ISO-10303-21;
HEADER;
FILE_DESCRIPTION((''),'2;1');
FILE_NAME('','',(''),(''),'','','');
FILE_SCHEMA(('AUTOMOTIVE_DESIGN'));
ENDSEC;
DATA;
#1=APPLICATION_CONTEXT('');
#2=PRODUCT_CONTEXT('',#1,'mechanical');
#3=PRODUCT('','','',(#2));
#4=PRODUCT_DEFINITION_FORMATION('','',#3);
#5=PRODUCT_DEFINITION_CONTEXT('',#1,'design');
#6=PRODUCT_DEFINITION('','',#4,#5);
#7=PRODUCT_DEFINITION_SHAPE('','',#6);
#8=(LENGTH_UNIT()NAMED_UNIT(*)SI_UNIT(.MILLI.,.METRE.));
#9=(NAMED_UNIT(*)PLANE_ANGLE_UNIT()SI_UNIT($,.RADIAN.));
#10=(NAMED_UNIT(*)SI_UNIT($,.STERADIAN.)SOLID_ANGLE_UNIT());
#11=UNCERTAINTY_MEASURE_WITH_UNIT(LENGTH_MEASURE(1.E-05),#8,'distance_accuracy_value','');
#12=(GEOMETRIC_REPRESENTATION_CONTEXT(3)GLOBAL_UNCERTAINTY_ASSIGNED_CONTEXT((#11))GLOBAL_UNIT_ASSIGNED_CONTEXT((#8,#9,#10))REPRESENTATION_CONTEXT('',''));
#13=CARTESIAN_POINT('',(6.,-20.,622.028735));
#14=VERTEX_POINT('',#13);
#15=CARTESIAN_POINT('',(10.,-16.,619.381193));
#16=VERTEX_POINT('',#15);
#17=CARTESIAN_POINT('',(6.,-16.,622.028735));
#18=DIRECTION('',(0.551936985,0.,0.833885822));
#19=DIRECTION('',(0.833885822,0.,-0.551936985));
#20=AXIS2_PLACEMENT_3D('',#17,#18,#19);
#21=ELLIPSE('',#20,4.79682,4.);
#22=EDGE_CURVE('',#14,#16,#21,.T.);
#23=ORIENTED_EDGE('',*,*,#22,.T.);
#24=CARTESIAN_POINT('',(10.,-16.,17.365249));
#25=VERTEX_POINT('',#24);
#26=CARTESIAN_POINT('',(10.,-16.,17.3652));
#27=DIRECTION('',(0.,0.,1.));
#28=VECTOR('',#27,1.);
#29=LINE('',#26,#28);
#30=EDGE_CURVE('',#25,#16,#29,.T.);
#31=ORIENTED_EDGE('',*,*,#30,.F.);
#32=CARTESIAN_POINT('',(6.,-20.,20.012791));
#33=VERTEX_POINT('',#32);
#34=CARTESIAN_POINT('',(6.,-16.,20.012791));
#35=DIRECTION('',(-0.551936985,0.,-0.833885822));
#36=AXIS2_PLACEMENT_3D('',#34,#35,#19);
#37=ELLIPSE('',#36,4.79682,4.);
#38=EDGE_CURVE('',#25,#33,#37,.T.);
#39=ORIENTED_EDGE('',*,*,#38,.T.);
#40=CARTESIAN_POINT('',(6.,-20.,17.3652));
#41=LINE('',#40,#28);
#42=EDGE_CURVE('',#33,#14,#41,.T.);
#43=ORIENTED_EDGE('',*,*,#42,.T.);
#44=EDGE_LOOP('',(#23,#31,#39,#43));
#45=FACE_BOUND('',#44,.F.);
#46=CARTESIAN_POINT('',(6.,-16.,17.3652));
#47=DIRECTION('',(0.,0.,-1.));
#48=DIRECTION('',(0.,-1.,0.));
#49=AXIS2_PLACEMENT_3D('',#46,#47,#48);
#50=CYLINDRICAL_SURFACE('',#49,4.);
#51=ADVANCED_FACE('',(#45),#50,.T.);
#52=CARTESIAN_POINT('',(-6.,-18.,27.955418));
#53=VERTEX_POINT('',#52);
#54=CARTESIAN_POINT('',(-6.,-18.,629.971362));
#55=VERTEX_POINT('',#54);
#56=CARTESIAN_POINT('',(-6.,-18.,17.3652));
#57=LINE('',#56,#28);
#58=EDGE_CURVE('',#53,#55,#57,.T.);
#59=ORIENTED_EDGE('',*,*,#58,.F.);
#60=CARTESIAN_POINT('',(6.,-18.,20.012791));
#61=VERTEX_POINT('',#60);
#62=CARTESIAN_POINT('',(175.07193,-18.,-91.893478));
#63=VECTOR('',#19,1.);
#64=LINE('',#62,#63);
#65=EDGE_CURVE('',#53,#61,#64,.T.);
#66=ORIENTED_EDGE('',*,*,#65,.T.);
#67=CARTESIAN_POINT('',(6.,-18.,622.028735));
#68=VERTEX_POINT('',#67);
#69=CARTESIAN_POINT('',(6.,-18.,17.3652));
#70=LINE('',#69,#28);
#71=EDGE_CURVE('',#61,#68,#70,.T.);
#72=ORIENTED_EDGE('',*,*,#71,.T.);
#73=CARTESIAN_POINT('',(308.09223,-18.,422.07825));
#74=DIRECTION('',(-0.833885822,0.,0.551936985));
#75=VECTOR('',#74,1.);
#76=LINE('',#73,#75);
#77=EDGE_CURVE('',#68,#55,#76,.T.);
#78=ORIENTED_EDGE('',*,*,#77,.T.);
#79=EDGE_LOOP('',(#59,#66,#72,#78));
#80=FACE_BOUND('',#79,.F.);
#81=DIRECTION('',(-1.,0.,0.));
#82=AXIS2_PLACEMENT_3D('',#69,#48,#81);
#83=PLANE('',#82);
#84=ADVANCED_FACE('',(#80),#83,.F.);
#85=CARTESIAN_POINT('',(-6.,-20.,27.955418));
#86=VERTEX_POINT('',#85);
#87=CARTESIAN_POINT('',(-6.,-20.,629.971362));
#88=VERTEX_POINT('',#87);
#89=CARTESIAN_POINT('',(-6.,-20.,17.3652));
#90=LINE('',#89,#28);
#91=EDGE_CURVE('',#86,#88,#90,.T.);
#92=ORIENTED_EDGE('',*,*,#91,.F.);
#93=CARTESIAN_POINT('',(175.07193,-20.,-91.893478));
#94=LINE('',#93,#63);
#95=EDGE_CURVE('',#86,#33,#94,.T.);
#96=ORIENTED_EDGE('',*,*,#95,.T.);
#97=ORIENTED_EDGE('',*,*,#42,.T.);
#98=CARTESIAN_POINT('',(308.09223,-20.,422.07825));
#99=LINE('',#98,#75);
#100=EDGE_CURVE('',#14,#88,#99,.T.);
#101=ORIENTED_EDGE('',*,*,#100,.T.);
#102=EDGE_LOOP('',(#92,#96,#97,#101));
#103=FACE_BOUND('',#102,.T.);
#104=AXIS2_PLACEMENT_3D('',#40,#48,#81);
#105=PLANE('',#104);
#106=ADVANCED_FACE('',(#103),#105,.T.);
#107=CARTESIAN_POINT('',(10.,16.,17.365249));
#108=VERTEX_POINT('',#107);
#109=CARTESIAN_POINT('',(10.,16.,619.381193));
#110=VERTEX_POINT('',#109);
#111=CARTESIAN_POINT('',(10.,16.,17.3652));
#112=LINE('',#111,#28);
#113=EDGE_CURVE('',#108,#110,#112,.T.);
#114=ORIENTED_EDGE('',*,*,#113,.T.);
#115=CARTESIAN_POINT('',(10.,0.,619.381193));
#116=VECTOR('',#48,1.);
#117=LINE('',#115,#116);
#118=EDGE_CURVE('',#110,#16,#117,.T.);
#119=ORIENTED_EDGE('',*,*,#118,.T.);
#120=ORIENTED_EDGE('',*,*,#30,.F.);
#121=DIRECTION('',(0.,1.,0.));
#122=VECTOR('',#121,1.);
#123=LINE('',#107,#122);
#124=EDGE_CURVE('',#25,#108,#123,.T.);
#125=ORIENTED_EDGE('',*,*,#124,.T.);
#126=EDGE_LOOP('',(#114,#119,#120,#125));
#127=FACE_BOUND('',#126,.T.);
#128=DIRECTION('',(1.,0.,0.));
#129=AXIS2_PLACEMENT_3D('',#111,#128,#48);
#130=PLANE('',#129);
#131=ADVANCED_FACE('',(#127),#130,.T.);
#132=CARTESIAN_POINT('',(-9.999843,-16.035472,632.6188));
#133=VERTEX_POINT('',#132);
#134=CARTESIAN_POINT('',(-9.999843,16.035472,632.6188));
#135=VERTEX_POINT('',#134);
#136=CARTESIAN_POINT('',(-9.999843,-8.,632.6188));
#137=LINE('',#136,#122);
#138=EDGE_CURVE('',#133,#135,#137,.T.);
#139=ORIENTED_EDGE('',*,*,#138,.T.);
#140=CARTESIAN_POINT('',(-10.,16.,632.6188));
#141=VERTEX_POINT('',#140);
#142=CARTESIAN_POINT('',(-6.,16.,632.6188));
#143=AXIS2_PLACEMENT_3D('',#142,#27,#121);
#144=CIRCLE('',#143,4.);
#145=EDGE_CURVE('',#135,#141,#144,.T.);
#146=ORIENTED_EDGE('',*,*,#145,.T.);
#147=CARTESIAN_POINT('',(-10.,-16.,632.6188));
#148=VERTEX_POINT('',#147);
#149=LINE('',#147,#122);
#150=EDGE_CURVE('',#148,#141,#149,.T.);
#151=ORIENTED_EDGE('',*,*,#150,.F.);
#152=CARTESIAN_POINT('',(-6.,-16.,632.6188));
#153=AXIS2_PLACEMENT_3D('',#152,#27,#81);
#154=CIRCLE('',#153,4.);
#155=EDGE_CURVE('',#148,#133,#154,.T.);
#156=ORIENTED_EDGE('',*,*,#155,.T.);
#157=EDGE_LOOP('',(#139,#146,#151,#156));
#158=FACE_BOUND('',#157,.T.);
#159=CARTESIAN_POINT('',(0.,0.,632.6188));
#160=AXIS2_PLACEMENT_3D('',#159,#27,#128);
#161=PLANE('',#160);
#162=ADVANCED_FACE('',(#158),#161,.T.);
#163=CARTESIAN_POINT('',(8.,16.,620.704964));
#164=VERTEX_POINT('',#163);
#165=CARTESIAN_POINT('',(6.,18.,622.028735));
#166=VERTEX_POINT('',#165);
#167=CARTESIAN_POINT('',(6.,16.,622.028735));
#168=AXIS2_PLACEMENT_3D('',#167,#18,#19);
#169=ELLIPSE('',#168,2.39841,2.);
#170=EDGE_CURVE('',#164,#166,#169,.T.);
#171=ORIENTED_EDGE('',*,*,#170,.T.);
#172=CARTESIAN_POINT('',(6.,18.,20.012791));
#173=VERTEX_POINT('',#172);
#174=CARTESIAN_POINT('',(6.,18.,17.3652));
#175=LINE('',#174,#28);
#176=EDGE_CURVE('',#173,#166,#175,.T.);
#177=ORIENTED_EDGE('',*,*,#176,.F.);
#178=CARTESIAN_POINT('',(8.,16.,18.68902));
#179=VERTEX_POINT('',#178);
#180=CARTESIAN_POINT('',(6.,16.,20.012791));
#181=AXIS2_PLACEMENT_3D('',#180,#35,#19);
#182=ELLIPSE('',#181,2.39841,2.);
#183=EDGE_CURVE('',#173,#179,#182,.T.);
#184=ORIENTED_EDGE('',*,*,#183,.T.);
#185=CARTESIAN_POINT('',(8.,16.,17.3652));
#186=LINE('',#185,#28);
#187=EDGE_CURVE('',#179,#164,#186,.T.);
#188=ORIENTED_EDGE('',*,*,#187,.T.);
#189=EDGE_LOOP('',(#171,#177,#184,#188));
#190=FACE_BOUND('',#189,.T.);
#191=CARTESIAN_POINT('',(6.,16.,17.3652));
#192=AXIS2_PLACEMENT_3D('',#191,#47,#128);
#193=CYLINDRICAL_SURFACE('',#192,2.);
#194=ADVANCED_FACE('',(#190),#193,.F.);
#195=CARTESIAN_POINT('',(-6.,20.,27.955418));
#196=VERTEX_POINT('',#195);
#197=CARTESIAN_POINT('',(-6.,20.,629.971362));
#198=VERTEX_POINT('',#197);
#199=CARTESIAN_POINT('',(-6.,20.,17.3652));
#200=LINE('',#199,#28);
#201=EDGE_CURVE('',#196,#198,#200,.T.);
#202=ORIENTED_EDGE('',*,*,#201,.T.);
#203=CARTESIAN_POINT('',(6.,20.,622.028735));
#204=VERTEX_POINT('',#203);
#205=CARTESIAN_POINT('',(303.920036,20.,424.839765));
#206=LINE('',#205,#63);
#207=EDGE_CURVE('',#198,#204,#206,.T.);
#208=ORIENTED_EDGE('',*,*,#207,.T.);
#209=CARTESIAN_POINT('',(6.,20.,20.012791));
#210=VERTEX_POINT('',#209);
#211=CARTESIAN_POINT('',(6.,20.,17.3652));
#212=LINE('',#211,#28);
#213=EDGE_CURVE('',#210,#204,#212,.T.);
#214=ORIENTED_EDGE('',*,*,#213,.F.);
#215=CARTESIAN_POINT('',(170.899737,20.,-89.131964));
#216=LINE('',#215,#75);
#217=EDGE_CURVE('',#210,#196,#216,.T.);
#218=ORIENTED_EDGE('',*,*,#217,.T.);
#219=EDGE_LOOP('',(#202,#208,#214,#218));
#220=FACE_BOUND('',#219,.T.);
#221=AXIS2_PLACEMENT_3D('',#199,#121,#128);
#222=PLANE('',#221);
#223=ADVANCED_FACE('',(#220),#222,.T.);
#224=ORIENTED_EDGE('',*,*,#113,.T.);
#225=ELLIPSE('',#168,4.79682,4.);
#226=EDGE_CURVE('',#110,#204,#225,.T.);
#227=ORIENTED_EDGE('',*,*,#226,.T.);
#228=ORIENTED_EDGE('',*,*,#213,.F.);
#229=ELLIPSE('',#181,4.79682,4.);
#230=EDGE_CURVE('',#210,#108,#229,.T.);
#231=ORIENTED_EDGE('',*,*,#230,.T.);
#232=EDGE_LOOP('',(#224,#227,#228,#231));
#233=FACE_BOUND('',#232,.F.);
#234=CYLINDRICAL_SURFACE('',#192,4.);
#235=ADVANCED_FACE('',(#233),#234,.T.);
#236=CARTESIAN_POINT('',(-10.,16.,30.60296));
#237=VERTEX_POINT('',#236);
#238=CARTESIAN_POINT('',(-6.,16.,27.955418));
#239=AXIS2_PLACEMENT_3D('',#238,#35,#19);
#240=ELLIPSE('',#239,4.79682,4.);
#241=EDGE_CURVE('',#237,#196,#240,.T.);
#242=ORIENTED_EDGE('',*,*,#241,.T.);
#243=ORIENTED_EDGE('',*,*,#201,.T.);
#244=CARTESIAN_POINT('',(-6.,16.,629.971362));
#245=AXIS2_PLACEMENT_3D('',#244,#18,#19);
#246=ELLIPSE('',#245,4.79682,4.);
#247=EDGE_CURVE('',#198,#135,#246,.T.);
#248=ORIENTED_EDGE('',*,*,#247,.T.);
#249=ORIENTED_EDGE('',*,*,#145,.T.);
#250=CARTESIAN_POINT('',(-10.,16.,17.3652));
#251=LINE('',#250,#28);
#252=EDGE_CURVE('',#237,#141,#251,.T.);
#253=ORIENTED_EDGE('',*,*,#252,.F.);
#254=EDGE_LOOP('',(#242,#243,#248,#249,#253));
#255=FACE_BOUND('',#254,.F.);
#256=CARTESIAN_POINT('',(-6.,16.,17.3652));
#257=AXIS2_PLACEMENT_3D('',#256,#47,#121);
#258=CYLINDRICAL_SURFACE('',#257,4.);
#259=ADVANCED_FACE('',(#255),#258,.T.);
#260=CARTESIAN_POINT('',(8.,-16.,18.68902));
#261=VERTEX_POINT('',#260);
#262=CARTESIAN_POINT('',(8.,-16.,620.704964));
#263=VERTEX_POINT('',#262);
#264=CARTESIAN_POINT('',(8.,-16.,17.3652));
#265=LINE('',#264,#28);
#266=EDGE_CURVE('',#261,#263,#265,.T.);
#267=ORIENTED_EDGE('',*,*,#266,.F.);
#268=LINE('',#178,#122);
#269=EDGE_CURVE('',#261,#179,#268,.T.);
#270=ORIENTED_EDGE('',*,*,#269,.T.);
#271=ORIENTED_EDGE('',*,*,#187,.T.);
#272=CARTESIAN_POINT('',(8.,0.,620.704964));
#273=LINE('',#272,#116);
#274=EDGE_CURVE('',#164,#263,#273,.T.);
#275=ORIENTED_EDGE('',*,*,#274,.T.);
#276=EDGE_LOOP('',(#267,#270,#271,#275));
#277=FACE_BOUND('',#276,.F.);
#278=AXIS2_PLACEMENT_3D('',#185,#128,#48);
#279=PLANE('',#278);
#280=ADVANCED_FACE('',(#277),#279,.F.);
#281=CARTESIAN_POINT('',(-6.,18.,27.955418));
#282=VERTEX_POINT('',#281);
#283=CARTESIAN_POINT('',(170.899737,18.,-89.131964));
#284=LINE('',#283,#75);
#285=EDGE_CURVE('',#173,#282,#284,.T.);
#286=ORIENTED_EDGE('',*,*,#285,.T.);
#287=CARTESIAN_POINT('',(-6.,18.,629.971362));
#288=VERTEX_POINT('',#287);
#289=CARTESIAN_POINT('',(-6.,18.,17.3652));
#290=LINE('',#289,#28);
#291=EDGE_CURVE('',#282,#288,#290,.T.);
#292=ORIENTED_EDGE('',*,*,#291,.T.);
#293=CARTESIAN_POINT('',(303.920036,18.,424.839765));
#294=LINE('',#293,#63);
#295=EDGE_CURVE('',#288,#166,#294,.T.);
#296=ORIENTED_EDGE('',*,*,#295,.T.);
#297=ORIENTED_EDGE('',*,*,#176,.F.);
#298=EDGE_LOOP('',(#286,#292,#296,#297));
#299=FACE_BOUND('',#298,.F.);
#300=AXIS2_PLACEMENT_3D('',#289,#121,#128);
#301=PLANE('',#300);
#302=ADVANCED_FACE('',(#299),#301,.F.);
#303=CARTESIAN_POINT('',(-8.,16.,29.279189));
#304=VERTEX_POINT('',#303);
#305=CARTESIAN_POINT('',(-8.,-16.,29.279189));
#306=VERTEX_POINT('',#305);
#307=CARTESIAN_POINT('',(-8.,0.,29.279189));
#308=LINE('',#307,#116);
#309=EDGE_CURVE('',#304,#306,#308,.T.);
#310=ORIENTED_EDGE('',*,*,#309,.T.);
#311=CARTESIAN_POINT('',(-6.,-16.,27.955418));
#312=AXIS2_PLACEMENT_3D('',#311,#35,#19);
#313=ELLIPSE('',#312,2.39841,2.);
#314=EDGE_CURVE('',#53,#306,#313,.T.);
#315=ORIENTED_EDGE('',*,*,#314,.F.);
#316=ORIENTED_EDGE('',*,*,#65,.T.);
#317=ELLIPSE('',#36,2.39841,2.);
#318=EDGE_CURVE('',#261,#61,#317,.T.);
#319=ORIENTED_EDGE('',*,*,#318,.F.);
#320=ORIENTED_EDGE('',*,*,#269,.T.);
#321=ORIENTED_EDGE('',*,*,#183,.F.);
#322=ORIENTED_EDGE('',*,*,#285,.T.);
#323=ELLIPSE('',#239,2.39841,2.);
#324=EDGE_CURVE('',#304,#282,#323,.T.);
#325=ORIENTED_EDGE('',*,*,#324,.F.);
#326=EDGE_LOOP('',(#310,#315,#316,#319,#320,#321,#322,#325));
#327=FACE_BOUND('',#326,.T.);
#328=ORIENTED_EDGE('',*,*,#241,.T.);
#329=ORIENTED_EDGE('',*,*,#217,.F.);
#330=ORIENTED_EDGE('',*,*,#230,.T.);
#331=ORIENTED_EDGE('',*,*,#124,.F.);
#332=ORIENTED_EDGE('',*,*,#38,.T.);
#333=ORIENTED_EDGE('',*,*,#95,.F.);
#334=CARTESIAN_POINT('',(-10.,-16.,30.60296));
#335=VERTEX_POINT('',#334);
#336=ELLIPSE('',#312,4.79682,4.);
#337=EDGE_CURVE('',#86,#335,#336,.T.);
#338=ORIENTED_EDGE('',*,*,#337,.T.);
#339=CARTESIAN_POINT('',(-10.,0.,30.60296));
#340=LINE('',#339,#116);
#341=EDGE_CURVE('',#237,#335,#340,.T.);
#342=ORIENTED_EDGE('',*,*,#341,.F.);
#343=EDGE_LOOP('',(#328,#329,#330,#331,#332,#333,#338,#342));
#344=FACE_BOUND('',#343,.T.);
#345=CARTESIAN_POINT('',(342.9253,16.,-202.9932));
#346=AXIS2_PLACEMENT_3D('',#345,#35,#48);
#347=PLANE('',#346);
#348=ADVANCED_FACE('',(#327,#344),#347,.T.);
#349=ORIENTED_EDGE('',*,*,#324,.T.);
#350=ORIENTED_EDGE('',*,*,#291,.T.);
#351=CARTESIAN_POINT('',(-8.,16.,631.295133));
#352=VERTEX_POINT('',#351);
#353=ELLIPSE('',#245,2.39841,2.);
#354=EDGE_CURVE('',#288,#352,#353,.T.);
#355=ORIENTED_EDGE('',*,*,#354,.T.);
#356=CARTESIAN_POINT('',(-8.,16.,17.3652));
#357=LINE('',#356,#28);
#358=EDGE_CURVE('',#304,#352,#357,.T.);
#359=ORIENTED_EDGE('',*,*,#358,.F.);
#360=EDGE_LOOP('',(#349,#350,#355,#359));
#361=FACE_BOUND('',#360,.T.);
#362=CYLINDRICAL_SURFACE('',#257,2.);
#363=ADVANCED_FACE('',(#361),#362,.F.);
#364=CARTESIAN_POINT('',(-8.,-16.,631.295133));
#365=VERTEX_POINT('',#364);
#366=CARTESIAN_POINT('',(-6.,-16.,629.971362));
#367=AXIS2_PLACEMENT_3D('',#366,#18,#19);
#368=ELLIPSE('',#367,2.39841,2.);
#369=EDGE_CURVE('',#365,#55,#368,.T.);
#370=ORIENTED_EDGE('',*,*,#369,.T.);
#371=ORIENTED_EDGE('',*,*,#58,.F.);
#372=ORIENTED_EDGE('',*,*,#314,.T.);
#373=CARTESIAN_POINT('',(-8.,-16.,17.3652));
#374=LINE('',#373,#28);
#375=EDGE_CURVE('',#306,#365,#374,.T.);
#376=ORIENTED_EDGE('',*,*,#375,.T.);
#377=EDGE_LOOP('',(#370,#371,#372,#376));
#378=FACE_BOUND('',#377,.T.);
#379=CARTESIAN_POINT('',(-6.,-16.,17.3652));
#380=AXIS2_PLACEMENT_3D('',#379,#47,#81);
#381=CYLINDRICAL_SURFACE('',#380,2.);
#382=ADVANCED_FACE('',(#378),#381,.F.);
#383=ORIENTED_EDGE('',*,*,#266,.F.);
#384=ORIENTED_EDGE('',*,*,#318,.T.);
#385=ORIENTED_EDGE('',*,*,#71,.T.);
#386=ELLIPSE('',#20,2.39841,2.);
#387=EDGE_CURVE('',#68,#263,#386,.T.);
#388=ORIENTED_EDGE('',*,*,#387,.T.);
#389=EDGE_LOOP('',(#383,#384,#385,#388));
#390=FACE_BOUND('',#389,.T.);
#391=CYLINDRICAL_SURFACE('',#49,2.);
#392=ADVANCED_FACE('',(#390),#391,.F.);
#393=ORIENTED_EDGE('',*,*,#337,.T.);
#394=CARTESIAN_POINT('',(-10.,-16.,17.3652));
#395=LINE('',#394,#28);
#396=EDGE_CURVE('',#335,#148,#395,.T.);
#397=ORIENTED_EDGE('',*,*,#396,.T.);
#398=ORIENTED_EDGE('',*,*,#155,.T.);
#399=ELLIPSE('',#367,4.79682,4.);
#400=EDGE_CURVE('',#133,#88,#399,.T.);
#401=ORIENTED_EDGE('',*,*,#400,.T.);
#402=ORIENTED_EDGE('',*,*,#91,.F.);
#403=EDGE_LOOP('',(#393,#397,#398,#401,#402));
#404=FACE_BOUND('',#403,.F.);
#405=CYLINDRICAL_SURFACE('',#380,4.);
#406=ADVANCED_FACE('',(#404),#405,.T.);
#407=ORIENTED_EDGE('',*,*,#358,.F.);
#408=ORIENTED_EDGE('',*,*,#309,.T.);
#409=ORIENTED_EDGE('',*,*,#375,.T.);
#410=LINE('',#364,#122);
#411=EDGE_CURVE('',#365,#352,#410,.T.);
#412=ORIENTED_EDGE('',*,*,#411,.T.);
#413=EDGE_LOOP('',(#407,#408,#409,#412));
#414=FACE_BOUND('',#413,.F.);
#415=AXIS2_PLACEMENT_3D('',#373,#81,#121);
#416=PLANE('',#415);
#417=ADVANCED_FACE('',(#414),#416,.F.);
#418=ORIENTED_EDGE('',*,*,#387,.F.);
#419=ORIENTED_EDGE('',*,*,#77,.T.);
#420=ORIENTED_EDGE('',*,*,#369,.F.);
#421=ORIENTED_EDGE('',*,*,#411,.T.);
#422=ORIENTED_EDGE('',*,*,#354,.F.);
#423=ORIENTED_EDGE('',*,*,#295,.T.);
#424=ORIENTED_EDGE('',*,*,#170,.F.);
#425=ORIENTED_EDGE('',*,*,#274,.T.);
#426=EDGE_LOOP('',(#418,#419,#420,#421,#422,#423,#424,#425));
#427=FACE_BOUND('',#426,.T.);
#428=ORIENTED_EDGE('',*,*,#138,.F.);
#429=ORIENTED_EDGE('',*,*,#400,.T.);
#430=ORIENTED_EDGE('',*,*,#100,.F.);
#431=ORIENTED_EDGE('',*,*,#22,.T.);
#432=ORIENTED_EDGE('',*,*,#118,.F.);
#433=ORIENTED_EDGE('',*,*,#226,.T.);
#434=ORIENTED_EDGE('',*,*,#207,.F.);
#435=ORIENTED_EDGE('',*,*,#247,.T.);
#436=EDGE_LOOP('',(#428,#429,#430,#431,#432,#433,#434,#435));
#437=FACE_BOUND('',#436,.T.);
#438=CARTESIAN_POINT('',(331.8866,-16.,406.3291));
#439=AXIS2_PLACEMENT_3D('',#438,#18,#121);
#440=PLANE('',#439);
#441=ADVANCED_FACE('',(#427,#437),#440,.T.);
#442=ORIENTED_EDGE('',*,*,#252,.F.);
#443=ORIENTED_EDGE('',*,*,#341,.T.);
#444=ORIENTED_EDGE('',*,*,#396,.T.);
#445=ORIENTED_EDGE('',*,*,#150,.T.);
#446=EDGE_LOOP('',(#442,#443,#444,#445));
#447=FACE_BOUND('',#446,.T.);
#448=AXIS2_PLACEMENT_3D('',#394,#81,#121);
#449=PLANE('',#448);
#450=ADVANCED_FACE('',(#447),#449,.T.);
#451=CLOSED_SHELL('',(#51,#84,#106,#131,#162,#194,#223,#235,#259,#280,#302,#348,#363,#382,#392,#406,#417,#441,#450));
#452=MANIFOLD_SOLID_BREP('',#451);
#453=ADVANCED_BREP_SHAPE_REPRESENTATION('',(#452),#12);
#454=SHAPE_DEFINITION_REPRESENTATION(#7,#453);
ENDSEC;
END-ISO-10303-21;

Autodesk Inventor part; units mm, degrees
ref_plane "Start Plane" through (0, 0, 17.3652) normal (0, 0, 1) x (1, 0, 0)
ref_plane "End Plane" through (0, 0, 632.6189) normal (0, 0, 1) x (1, 0, 0)
sketch "Sketch" plane through (0, 0, 0) normal (0, 0, 1) x (1, 0, 0)
  line L0 (-10, -16) -> (-10, 16)
  line L1 (-6, 20) -> (6, 20)
  line L2 (10, 16) -> (10, -16)
  line L3 (6, -20) -> (-6, -20)
  arc A0 (-10, -16) -> (-6, -20) centre (-6, -16) ccw
  arc A1 (10, 16) -> (6, 20) centre (6, 16) ccw
  arc A2 (-6, 20) -> (-10, 16) centre (-6, 16) ccw
  arc A3 (6, -20) -> (10, -16) centre (6, -16) ccw
  arc A4 (-6, 18) -> (-8, 16) centre (-6, 16) ccw
  line L4 (-6, 18) -> (6, 18)
  arc A5 (8, 16) -> (6, 18) centre (6, 16) ccw
  line L5 (8, 16) -> (8, -16)
  arc A6 (6, -18) -> (8, -16) centre (6, -16) ccw
  line L6 (6, -18) -> (-6, -18)
  arc A7 (-8, -16) -> (-6, -18) centre (-6, -16) ccw
  line L7 (-8, -16) -> (-8, 16)
  line L8 (0, 29.1598) -> (0, -29.1598) construction
  line L9 (-15.1598, 0) -> (15.1598, 0) construction
  dimension "d7" = 4
  dimension "d9" = 20
  dimension "d11" = 40
  dimension "d12" = 2
  dimension "d15" = 10
  dimension "d16" = 20
extrude "Body" add sketch "Sketch" along normal up to surface (615.2536 mm away) from surface at 17.3652
sketch "Sketch3" plane through (0, 0, 0) normal (0, 0, 1) x (1, 0, 0)
  line L0 (0, 0) -> (10, 0)
ref_plane "Work Plane3" through (0, 0, 0) normal (0, -1, 0) x (1, 0, 0)
ref_plane "Work Plane4" through (342.9253, 16, -202.9932) normal (-0.5519, 0, -0.8339) x (-0.8339, 0, 0.5519)
split "Split1" plane through (342.9253, 16, -202.9932) removes the side toward (-0.5519, 0, -0.8339)
ref_plane "Work Plane5" through (331.8866, -16, 406.3291) normal (0.5519, 0, 0.8339) x (0.8339, 0, -0.5519)
split "Split2" plane through (331.8866, -16, 406.3291) removes the side toward (0.5519, 0, 0.8339)
sketch "Sketch4" plane through (0, 0, 0) normal (0, -1, 0) x (1, 0, 0)
  line L0 (-2, 17.3652) -> (12, 17.3652) projected
  line L1 (-2, 632.6189) -> (12, 632.6189) projected
  dimension "d18" = 615.2536
equation "\"d7\" = G_IR"
equation "\"d9\" = G_W"
equation "\"d11\" = G_H"
equation "\"d12\" = G_T"
equation "\"d15\" = 0.5 * d9"
equation "\"d16\" = 0.5 * d11"
equation "\"d3\" = G_L"
equation "\"G_W\" = 20"
equation "\"G_H\" = 40"
equation "\"G_T\" = 2"
equation "\"G_IR\" = 4"
equation "\"G_L\" = d18"
equation "\"G_OFFSET_START\" = -17.36524"
equation "\"G_OFFSET_END\" = 6.61886"
equation "\"d13\" = -G_OFFSET_START"
equation "\"d14\" = G_OFFSET_END + B_L"
equation "\"B_L\" = 626"
properties part number "ISO 4019 - 40x20x2 - 615,25" material "Steel, Mild"
